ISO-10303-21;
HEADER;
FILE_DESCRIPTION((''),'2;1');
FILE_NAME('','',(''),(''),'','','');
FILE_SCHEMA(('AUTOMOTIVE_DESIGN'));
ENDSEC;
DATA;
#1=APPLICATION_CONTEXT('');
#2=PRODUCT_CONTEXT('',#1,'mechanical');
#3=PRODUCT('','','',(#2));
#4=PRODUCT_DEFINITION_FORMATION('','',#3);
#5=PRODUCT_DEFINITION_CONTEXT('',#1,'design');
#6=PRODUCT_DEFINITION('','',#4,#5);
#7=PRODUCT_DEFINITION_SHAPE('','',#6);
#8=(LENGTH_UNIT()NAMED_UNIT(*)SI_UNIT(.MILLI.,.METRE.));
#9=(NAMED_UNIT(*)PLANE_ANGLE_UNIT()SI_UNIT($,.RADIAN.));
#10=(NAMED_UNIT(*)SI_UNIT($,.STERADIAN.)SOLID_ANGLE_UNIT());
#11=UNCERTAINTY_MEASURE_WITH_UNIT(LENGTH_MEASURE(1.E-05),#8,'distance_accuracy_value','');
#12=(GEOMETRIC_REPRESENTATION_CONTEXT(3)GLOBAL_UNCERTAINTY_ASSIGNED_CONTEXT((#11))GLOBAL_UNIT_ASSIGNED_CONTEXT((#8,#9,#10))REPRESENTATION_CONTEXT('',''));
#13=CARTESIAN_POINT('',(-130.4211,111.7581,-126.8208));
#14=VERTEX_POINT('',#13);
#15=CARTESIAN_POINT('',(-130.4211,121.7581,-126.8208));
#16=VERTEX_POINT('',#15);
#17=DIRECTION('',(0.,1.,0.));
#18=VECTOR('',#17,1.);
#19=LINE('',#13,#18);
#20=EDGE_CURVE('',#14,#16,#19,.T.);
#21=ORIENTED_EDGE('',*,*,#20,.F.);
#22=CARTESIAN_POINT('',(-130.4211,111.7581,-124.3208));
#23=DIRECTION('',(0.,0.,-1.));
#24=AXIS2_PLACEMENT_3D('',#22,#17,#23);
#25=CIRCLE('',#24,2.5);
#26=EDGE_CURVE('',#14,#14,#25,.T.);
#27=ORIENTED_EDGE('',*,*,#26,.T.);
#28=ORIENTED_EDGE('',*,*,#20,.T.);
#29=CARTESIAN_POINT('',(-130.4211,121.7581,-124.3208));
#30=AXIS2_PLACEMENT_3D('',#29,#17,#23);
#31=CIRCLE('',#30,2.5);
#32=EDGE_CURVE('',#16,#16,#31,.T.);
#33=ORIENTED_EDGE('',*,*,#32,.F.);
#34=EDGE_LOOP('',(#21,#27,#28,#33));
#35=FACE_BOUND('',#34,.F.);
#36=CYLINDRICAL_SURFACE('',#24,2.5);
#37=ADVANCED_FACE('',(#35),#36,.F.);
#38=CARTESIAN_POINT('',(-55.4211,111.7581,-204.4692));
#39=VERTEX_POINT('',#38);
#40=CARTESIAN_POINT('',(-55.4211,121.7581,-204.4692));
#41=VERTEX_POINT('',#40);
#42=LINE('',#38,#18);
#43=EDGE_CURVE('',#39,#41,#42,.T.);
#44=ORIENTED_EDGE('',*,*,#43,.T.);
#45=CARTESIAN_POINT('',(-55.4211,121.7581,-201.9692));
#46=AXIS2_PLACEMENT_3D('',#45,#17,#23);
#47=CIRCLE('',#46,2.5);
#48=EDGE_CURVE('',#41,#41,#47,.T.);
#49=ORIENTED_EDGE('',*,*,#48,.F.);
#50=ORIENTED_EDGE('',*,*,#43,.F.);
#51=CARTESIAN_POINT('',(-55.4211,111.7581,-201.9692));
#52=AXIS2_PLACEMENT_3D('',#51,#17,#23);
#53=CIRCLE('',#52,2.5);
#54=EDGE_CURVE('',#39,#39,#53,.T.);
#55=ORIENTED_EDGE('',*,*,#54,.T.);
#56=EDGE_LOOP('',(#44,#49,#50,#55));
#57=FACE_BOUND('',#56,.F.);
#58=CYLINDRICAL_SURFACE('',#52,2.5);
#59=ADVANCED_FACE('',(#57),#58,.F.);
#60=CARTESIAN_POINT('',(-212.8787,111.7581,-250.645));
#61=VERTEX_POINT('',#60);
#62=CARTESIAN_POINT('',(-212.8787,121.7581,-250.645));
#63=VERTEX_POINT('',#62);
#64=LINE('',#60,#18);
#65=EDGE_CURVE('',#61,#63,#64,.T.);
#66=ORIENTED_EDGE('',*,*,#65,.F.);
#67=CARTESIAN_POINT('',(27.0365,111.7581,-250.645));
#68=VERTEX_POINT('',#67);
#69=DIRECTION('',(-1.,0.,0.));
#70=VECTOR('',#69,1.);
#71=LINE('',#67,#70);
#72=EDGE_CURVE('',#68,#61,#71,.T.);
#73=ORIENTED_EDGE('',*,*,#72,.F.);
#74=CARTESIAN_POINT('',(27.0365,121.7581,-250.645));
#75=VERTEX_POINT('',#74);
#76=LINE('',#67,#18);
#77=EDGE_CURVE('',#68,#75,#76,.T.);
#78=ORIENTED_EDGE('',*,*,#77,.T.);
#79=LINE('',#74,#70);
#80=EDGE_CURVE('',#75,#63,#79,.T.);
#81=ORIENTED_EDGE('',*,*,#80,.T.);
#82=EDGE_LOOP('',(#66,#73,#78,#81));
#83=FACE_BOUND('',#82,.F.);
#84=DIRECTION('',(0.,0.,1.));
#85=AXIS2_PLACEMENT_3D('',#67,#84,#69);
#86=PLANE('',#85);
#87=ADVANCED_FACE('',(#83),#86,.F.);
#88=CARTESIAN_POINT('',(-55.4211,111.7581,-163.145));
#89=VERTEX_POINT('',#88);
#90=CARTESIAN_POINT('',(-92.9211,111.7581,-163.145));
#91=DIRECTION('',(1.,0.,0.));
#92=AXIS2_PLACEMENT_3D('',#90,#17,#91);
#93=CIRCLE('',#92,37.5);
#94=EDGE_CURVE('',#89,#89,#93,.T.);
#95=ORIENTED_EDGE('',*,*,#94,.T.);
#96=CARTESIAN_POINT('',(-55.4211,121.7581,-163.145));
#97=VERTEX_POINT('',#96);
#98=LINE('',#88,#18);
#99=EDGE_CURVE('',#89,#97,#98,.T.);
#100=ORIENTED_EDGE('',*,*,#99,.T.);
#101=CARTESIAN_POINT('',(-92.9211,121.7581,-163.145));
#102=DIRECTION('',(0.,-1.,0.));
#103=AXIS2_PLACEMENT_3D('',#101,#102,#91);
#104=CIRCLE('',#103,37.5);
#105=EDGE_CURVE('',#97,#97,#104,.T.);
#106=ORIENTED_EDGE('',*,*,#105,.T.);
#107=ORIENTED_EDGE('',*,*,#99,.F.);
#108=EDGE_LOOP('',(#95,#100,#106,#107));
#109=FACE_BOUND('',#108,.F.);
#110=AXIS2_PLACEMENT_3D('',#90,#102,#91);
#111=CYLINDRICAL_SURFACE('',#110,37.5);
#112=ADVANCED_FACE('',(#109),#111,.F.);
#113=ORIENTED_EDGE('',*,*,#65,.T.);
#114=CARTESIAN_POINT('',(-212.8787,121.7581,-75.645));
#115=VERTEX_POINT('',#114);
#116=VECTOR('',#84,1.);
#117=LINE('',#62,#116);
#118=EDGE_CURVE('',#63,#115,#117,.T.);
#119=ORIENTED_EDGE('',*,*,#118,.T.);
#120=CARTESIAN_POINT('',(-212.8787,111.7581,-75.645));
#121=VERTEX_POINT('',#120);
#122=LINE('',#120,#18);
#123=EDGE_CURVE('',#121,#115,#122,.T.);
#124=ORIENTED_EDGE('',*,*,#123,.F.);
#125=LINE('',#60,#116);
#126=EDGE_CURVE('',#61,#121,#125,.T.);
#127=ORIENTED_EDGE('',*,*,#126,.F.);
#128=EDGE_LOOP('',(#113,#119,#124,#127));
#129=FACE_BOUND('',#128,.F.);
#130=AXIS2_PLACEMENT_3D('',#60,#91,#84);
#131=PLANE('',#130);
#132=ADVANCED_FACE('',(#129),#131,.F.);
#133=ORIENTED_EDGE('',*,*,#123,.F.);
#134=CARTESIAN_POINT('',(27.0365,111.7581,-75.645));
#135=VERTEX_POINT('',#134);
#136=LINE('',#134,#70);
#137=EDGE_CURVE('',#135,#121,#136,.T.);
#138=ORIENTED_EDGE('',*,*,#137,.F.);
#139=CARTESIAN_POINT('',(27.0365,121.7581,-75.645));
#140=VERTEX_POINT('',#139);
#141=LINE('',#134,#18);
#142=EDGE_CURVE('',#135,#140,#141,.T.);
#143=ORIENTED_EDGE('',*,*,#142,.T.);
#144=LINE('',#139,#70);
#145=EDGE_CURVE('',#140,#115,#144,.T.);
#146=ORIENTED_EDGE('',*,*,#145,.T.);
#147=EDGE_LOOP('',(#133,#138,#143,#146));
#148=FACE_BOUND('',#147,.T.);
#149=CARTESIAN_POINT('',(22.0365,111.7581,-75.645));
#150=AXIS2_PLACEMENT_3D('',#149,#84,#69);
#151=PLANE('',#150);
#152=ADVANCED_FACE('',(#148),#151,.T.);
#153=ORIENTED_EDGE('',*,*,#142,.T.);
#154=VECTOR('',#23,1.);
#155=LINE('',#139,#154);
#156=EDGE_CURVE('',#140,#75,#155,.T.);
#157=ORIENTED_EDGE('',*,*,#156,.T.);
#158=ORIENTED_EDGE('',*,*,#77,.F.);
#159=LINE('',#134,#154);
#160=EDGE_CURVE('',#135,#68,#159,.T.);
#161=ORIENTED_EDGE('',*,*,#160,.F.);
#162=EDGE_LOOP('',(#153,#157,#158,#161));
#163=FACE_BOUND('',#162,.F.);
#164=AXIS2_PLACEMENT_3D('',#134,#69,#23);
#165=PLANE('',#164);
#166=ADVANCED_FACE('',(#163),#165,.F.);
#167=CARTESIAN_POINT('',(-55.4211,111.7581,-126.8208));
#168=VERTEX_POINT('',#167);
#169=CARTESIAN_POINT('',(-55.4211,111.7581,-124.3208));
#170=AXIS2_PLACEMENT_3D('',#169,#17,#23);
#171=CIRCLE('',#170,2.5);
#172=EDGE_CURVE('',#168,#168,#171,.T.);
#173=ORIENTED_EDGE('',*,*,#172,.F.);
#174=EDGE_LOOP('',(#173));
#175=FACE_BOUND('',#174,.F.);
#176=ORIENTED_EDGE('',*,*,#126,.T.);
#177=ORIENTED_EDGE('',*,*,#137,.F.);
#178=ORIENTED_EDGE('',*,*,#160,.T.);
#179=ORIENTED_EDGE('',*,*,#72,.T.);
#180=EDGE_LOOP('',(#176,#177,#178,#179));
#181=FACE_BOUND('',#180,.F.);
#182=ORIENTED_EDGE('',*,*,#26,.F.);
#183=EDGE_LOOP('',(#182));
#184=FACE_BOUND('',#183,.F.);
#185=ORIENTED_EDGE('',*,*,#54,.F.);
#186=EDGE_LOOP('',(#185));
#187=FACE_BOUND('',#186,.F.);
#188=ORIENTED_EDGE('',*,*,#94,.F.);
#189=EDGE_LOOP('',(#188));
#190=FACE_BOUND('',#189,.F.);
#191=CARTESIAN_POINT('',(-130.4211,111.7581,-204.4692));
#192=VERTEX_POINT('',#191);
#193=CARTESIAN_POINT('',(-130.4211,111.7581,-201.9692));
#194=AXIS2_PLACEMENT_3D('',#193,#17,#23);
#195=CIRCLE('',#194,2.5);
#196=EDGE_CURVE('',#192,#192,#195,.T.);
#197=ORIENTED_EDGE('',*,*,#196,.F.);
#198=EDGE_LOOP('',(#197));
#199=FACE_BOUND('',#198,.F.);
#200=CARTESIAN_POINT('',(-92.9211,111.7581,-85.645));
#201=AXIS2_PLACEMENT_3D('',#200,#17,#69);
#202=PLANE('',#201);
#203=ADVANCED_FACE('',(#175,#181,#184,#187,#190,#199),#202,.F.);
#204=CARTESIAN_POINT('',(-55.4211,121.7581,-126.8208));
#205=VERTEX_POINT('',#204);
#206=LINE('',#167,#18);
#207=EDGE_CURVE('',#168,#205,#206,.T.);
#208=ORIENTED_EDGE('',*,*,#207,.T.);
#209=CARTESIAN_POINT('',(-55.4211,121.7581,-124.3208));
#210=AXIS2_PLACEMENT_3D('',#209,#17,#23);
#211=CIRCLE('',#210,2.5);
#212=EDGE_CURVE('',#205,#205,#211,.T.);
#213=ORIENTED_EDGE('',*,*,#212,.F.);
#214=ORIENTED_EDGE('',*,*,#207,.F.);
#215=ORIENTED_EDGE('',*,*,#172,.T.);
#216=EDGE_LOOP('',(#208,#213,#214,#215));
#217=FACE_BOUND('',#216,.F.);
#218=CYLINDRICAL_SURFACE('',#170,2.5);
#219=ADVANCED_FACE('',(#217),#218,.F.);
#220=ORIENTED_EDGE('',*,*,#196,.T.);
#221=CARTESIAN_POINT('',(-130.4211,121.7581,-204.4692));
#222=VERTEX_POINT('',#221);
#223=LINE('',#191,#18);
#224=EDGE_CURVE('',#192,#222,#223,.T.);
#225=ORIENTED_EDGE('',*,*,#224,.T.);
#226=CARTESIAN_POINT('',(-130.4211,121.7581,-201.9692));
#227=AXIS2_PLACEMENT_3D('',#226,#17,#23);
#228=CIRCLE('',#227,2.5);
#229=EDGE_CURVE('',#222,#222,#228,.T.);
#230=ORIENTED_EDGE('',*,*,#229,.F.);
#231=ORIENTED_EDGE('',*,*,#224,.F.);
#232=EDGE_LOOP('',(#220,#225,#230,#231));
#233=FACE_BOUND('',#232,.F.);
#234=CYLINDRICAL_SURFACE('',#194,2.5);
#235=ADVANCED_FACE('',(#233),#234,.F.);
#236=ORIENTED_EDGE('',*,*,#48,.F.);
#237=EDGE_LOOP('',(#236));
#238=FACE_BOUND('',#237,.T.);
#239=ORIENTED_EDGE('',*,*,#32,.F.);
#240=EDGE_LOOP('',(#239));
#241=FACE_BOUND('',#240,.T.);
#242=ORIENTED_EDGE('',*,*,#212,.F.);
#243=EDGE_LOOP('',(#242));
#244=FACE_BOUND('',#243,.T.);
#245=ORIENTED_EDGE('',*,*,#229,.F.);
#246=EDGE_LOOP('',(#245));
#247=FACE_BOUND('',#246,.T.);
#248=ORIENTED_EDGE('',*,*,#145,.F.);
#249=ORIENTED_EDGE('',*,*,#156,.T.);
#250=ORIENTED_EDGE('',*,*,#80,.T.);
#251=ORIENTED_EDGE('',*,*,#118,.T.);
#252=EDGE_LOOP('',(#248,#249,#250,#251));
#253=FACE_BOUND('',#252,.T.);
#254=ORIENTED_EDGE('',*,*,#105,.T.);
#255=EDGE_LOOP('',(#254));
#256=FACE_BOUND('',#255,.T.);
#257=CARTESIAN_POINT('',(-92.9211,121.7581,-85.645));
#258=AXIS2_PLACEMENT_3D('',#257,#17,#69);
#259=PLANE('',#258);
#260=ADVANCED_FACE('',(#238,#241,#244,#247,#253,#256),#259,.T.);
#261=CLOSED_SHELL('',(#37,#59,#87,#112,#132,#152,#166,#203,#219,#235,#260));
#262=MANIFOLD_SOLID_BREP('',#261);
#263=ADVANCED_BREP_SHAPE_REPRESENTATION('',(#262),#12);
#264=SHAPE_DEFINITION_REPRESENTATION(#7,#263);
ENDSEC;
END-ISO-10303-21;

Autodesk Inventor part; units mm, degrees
ref_plane "YZ Plane" through (0, 0, 0) normal (1, 0, 0) x (0, 1, 0)
ref_plane "XZ Plane" through (0, 0, 0) normal (0, 1, 0) x (-1, 0, 0)
ref_plane "XY Plane" through (0, 0, 0) normal (0, 0, 1) x (1, 0, 0)
ref_plane "Work Plane2" through (-92.9211, 111.7581, -85.645) normal (0, 1, 0) x (-1, 0, 0)
sketch "Sketch2" plane through (-92.9211, 111.7581, -85.645) normal (0, 1, 0) x (-1, 0, 0)
  line L0 (63, 0) -> (-63, 0)
  line L1 (-63, 0) -> (-63, -150)
  line L2 (-63, -150) -> (63, -150)
  line L3 (63, -150) -> (63, 0)
  line L4 (63, 0) -> (-63, -150) construction
  line L5 (-63, 0) -> (63, -150) construction
  line L6 (-114.9576, 160) -> (114.9576, 160)
  line L7 (114.9576, 160) -> (114.9576, -160)
  line L8 (114.9576, -160) -> (-114.9576, -160)
  line L9 (-114.9576, -160) -> (-114.9576, 160)
  line L10 (119.9576, -165) -> (119.9576, 165)
  line L11 (119.9576, 165) -> (-119.9576, 165)
  line L12 (-119.9576, 165) -> (-119.9576, 10)
  line L13 (-119.9576, -165) -> (119.9576, -165)
  line L14 (-119.9576, 10) -> (-114.9576, 10)
  line L15 (-114.9576, 10) -> (114.9576, 10)
  line L16 (114.9576, 10) -> (119.9576, 10)
  line L17 (-119.9576, 10) -> (-119.9576, -165)
  point P0 (-92.9211, 85.645)
  point P1 (0, -75)
  point P2 (114.9576, 160)
  dimension "d0" = 126
  dimension "d1" = 150
  dimension "d2" = 5
  dimension "d5" = 10
  dimension "d6" = 10
extrude "Extrusion1" add sketch "Sketch2" along normal blind 10 contours L3 L2 L1 L0 | L15 L7 L8 L9 | L9 L8 L7 L16 L10 L13 L17 L14
sketch "Sketch3" plane through (-92.9211, 111.7581, -85.645) normal (0, -1, 0) x (1, 0, 0)
  line L0 (-119.9576, 10) -> (119.9576, 10) projected
  line L1 (-119.9576, -165) -> (-119.9576, 10) projected
  line L2 (119.9576, -165) -> (-119.9576, -165) projected
  line L3 (119.9576, 10) -> (119.9576, -165) projected
  line L4 (-119.9576, -165) -> (119.9576, 10)
  line L5 (-119.9576, 10) -> (119.9576, -165)
  circle A0 centre (0, -77.5) radius 37.5
  point P0 (92.9211, 85.645)
  dimension "d7" = 75
extrude "Extrusion2" cut sketch "Sketch3" against normal through all contours A0 L4 L5 | L5 L4 A0 | A0 L5 L4 | L4 L5 A0
sketch "Sketch4" plane through (-92.9211, 111.7581, -85.645) normal (0, -1, 0) x (1, 0, 0)
  circle A0 centre (-37.5, -38.6758) radius 2.5 projected
  circle A1 centre (37.5, -38.6758) radius 2.5 projected
  circle A2 centre (37.5, -116.3242) radius 2.5 projected
  circle A3 centre (-37.5, -116.3242) radius 2.5 projected
  arc A4 (47.5, -35) -> (42.5, -30) centre (42.5, -35) ccw projected
  line L0 (42.5, -30) -> (-42.5, -30) projected
  arc A5 (-42.5, -30) -> (-47.5, -35) centre (-42.5, -35) ccw projected
  line L1 (-47.5, -35) -> (-47.5, -120) projected
  arc A6 (-47.5, -120) -> (-42.5, -125) centre (-42.5, -120) ccw projected
  line L2 (-42.5, -125) -> (42.5, -125) projected
  arc A7 (42.5, -125) -> (47.5, -120) centre (42.5, -120) ccw projected
  line L3 (47.5, -120) -> (47.5, -35) projected
  circle A8 centre (0, -77.5) radius 5 projected
  point P0 (92.9211, 85.645)
hole "Hole1" at (-130.4211, 111.7581, -124.3208) at (-55.4211, 111.7581, -124.3208) at (-55.4211, 111.7581, -201.9692) at (-130.4211, 111.7581, -201.9692) direction (0, 1, 0) diameter 5 end through all
properties part number "Sleed_Plate"
